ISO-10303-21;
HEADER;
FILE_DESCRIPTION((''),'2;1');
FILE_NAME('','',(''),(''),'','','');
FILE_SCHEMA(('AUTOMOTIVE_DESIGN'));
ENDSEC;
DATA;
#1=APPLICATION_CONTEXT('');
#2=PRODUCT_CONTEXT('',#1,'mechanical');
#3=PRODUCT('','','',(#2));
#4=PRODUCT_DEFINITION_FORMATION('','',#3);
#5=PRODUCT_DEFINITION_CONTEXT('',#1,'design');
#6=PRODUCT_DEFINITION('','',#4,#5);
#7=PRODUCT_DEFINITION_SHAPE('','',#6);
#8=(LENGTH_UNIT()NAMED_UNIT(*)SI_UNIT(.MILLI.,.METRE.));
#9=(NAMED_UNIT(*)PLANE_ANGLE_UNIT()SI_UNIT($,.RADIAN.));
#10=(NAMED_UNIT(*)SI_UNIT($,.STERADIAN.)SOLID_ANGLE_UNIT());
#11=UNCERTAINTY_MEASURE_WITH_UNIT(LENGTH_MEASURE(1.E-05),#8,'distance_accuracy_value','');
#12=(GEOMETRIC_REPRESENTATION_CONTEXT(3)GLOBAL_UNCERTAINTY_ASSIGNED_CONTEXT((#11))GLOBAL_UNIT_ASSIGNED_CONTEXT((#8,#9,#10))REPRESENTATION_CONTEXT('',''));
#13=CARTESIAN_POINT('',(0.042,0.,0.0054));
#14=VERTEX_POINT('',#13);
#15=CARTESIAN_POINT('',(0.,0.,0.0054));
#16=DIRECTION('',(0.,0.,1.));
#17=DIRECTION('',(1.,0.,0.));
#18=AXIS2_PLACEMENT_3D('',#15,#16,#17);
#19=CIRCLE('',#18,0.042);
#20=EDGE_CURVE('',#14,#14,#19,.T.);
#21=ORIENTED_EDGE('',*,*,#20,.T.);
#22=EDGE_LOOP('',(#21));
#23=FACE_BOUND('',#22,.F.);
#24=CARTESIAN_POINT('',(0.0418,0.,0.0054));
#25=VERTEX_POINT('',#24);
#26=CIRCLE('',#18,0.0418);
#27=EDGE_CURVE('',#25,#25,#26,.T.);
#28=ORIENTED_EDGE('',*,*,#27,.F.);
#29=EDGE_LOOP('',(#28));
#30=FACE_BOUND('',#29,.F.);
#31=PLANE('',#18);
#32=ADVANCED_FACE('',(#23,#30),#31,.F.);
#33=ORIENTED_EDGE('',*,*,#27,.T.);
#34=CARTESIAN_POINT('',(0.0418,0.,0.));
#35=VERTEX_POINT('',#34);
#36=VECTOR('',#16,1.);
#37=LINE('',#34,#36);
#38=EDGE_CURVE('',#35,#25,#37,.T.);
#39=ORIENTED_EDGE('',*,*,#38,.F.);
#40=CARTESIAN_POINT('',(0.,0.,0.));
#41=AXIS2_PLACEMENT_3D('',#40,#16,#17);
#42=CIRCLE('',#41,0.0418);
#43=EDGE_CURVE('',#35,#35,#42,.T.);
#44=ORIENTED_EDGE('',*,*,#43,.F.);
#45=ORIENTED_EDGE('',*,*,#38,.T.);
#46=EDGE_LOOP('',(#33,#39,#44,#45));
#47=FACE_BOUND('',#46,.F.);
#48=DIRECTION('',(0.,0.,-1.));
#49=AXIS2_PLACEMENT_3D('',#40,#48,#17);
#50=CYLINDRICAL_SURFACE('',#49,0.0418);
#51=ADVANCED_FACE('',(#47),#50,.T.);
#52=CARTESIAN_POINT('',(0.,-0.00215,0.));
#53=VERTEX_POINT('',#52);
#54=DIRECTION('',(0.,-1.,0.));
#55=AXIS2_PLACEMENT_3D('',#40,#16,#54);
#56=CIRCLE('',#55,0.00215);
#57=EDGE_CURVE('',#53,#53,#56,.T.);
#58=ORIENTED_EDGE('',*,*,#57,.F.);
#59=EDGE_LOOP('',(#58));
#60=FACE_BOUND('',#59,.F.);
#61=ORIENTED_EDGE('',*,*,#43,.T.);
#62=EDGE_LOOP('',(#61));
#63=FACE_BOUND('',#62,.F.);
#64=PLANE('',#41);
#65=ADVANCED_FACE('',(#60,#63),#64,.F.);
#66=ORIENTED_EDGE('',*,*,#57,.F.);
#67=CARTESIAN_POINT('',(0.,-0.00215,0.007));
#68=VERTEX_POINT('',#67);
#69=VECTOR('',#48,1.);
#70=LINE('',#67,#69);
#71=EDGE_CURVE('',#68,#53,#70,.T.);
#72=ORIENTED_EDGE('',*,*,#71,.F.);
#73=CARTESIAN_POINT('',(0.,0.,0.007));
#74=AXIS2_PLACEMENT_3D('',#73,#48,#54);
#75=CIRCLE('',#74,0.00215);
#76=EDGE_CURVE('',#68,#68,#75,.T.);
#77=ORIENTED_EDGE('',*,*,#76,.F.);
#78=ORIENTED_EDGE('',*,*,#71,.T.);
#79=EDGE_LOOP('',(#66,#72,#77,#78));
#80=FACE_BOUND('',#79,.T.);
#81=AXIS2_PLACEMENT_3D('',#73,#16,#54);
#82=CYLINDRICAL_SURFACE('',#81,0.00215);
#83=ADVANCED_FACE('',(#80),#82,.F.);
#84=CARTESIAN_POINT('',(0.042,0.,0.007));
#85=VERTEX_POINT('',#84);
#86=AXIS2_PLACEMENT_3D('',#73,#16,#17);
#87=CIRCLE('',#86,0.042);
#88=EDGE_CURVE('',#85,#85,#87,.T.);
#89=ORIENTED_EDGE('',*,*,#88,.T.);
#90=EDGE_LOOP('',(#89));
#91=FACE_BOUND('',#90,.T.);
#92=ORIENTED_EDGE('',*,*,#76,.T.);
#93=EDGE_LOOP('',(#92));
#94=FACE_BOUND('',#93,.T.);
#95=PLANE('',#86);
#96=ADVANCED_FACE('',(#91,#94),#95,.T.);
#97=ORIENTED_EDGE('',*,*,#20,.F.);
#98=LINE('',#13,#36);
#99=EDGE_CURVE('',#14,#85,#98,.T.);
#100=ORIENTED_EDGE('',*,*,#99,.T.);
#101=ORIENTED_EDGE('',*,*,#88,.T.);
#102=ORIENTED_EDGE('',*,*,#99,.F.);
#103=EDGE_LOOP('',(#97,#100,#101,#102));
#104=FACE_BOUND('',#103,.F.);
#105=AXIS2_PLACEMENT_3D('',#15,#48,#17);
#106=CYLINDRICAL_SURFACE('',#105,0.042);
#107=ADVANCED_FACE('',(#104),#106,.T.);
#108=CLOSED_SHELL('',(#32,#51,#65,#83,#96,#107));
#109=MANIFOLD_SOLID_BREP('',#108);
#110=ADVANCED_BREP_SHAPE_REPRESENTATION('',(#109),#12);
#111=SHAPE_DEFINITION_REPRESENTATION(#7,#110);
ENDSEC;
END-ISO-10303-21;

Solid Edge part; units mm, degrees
sketch "Sketch1" plane through (0, 0, 0) normal (0, 0, 1) x (1, 0, 0)
  circle A0 centre (0, 0) radius 0.0418
extrude "Protrusion1" add sketch "Sketch1" along normal blind 0.0054
sketch "Sketch2" plane through (0, 0, 0.0054) normal (0, 0, 1) x (1, 0, 0)
  circle A0 centre (0, 0) radius 0.042
extrude "Ausprägung_2" add sketch "Sketch2" along normal blind 0.0016
hole "Bohrung_1" at (0, 0, 0.007) direction (0, 0, -1) diameter 0.0043 end through all
